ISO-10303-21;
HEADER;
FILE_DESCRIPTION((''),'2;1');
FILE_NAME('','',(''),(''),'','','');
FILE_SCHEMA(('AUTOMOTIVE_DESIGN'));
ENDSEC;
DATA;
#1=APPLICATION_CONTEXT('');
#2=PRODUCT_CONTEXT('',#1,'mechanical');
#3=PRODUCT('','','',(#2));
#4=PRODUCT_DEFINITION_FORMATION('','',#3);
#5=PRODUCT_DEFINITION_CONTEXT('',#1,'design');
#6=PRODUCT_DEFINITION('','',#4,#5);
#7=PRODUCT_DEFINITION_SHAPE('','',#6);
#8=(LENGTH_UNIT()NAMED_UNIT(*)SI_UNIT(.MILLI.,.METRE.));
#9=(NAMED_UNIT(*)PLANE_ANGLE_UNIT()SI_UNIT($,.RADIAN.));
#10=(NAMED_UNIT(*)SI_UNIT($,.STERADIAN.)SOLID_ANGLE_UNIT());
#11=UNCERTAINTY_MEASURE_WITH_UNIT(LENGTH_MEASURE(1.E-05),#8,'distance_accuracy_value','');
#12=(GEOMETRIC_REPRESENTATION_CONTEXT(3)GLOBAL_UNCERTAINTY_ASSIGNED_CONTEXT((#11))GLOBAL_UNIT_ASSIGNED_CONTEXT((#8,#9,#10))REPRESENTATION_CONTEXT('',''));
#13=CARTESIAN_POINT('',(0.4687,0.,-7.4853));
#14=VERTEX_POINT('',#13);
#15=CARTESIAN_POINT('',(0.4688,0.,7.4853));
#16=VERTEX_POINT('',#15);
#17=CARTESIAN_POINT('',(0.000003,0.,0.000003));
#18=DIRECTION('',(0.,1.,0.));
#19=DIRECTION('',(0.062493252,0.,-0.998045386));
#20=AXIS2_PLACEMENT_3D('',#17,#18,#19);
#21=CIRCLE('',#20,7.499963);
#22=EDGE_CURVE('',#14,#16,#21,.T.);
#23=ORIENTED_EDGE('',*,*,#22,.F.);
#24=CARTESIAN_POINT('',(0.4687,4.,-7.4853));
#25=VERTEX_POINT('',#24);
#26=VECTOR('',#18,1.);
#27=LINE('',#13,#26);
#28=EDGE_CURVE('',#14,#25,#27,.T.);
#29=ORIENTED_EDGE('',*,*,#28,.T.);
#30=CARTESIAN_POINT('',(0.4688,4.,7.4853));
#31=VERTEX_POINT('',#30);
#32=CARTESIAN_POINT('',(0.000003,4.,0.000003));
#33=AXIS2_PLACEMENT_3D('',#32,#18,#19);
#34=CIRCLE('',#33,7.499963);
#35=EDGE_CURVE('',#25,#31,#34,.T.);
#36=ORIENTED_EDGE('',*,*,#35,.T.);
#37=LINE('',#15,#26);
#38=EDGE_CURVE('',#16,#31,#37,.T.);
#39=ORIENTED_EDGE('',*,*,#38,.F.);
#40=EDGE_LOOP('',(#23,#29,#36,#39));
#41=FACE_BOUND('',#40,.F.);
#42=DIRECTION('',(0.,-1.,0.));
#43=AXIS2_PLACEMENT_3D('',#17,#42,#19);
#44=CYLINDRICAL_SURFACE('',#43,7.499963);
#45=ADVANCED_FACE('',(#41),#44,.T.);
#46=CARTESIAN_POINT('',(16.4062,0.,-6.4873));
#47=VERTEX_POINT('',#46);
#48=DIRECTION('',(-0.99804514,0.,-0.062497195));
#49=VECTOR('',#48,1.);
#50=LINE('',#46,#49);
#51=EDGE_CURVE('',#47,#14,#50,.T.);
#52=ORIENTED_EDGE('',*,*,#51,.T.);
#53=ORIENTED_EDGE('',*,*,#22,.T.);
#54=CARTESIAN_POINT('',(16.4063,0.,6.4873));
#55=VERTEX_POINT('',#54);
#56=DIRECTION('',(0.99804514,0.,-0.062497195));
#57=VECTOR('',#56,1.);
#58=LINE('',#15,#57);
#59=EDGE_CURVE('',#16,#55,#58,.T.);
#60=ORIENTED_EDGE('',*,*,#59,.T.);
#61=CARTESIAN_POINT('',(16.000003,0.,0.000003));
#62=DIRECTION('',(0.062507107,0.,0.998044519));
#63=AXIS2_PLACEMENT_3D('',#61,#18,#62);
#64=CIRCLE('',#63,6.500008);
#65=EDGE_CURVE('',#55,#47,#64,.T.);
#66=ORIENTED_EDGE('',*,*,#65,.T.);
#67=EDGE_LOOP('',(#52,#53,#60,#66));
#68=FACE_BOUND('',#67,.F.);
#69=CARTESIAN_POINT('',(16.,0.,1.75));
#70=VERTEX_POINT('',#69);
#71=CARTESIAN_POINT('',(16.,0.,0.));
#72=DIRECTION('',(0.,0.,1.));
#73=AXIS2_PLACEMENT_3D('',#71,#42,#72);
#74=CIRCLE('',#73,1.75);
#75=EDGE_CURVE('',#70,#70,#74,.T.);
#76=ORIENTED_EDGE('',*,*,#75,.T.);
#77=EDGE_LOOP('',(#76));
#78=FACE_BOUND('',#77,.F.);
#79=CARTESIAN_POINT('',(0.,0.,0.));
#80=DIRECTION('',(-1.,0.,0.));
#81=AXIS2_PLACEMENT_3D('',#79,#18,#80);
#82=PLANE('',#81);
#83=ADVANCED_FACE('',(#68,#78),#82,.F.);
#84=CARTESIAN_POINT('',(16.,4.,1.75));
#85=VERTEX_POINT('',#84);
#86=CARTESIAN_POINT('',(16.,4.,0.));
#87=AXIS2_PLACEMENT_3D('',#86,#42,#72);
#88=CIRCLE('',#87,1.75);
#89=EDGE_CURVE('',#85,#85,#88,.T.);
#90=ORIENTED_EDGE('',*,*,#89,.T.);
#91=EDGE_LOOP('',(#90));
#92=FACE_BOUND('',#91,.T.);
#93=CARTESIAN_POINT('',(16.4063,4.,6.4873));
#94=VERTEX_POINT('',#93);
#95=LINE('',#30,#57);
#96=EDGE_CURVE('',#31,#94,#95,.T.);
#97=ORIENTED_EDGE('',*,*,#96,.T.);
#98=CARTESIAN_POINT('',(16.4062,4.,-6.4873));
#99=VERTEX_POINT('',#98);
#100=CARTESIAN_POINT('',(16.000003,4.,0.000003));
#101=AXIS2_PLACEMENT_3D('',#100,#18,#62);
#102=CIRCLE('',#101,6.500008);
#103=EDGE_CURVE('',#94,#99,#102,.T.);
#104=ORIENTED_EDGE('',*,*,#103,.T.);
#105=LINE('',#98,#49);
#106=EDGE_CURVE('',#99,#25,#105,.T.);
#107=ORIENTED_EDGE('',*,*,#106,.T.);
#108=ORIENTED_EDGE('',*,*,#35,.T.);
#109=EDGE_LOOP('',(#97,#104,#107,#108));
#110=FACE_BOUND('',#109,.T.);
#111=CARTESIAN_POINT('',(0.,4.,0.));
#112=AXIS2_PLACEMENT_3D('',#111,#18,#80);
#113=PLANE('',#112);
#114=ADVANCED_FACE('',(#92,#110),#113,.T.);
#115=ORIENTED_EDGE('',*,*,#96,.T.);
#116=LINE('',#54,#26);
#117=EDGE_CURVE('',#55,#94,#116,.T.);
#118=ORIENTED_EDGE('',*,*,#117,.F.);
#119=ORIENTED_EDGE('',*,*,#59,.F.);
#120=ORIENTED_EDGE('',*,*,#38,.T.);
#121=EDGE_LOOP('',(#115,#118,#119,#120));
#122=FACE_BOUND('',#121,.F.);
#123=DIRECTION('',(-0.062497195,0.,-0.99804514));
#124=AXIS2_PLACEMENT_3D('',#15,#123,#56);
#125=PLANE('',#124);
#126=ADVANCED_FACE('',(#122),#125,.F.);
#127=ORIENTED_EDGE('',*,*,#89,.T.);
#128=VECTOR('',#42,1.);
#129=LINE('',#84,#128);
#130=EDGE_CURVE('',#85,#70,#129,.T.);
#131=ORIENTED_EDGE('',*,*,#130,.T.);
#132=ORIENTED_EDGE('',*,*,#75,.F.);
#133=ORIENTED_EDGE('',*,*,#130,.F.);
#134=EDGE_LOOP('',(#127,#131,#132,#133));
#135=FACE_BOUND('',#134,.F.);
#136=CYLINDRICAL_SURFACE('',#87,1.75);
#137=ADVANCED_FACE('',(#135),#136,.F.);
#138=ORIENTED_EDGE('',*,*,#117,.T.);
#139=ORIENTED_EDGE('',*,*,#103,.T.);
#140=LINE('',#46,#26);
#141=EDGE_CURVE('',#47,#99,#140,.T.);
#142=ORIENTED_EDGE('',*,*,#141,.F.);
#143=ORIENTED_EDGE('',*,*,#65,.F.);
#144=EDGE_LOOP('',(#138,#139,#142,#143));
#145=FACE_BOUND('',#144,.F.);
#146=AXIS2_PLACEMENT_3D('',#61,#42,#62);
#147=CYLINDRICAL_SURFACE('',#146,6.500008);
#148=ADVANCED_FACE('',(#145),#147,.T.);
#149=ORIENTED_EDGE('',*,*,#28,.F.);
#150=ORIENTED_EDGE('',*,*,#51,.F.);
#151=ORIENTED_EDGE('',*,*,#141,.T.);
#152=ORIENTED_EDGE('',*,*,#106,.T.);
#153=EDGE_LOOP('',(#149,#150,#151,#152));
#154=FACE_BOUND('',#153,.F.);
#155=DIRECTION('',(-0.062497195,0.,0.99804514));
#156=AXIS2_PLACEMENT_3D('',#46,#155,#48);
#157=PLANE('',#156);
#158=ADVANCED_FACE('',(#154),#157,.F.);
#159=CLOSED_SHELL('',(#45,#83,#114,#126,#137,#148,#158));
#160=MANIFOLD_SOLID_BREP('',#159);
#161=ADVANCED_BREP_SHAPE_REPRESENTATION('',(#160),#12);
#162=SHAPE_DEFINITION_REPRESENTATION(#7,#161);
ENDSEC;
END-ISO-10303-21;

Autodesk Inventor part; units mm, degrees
ref_plane "YZ Plane" through (0, 0, 0) normal (1, 0, 0) x (0, 1, 0)
ref_plane "XZ Plane" through (0, 0, 0) normal (0, 1, 0) x (-1, 0, 0)
ref_plane "XY Plane" through (0, 0, 0) normal (0, 0, 1) x (1, 0, 0)
sketch "Sketch1" plane through (0, 0, 0) normal (0, 1, 0) x (-1, 0, 0)
  line L0 (0, 0) -> (-16, 0) construction
  line L1 (-0.4688, 7.4853) -> (-16.4063, 6.4873)
  line L2 (-16.4062, -6.4873) -> (-0.4687, -7.4853)
  arc A0 (-0.4687, -7.4853) -> (-0.4688, 7.4853) centre (0, 0) ccw
  arc A1 (-16.4063, 6.4873) -> (-16.4062, -6.4873) centre (-16, 0) ccw
  point P0 (-8, 0)
  point P1 (7.5, 0)
  point P2 (-22.5, 0)
  dimension "d0" = 7.5
  dimension "d1" = 6.5
  dimension "d2" = 30
extrude "Extrusion1" add sketch "Sketch1" along normal blind 4
hole "Hole1" at (16, 4, 0) direction (0, -1, 0) diameter 3.5 end through all
properties part number "A8-0014"
